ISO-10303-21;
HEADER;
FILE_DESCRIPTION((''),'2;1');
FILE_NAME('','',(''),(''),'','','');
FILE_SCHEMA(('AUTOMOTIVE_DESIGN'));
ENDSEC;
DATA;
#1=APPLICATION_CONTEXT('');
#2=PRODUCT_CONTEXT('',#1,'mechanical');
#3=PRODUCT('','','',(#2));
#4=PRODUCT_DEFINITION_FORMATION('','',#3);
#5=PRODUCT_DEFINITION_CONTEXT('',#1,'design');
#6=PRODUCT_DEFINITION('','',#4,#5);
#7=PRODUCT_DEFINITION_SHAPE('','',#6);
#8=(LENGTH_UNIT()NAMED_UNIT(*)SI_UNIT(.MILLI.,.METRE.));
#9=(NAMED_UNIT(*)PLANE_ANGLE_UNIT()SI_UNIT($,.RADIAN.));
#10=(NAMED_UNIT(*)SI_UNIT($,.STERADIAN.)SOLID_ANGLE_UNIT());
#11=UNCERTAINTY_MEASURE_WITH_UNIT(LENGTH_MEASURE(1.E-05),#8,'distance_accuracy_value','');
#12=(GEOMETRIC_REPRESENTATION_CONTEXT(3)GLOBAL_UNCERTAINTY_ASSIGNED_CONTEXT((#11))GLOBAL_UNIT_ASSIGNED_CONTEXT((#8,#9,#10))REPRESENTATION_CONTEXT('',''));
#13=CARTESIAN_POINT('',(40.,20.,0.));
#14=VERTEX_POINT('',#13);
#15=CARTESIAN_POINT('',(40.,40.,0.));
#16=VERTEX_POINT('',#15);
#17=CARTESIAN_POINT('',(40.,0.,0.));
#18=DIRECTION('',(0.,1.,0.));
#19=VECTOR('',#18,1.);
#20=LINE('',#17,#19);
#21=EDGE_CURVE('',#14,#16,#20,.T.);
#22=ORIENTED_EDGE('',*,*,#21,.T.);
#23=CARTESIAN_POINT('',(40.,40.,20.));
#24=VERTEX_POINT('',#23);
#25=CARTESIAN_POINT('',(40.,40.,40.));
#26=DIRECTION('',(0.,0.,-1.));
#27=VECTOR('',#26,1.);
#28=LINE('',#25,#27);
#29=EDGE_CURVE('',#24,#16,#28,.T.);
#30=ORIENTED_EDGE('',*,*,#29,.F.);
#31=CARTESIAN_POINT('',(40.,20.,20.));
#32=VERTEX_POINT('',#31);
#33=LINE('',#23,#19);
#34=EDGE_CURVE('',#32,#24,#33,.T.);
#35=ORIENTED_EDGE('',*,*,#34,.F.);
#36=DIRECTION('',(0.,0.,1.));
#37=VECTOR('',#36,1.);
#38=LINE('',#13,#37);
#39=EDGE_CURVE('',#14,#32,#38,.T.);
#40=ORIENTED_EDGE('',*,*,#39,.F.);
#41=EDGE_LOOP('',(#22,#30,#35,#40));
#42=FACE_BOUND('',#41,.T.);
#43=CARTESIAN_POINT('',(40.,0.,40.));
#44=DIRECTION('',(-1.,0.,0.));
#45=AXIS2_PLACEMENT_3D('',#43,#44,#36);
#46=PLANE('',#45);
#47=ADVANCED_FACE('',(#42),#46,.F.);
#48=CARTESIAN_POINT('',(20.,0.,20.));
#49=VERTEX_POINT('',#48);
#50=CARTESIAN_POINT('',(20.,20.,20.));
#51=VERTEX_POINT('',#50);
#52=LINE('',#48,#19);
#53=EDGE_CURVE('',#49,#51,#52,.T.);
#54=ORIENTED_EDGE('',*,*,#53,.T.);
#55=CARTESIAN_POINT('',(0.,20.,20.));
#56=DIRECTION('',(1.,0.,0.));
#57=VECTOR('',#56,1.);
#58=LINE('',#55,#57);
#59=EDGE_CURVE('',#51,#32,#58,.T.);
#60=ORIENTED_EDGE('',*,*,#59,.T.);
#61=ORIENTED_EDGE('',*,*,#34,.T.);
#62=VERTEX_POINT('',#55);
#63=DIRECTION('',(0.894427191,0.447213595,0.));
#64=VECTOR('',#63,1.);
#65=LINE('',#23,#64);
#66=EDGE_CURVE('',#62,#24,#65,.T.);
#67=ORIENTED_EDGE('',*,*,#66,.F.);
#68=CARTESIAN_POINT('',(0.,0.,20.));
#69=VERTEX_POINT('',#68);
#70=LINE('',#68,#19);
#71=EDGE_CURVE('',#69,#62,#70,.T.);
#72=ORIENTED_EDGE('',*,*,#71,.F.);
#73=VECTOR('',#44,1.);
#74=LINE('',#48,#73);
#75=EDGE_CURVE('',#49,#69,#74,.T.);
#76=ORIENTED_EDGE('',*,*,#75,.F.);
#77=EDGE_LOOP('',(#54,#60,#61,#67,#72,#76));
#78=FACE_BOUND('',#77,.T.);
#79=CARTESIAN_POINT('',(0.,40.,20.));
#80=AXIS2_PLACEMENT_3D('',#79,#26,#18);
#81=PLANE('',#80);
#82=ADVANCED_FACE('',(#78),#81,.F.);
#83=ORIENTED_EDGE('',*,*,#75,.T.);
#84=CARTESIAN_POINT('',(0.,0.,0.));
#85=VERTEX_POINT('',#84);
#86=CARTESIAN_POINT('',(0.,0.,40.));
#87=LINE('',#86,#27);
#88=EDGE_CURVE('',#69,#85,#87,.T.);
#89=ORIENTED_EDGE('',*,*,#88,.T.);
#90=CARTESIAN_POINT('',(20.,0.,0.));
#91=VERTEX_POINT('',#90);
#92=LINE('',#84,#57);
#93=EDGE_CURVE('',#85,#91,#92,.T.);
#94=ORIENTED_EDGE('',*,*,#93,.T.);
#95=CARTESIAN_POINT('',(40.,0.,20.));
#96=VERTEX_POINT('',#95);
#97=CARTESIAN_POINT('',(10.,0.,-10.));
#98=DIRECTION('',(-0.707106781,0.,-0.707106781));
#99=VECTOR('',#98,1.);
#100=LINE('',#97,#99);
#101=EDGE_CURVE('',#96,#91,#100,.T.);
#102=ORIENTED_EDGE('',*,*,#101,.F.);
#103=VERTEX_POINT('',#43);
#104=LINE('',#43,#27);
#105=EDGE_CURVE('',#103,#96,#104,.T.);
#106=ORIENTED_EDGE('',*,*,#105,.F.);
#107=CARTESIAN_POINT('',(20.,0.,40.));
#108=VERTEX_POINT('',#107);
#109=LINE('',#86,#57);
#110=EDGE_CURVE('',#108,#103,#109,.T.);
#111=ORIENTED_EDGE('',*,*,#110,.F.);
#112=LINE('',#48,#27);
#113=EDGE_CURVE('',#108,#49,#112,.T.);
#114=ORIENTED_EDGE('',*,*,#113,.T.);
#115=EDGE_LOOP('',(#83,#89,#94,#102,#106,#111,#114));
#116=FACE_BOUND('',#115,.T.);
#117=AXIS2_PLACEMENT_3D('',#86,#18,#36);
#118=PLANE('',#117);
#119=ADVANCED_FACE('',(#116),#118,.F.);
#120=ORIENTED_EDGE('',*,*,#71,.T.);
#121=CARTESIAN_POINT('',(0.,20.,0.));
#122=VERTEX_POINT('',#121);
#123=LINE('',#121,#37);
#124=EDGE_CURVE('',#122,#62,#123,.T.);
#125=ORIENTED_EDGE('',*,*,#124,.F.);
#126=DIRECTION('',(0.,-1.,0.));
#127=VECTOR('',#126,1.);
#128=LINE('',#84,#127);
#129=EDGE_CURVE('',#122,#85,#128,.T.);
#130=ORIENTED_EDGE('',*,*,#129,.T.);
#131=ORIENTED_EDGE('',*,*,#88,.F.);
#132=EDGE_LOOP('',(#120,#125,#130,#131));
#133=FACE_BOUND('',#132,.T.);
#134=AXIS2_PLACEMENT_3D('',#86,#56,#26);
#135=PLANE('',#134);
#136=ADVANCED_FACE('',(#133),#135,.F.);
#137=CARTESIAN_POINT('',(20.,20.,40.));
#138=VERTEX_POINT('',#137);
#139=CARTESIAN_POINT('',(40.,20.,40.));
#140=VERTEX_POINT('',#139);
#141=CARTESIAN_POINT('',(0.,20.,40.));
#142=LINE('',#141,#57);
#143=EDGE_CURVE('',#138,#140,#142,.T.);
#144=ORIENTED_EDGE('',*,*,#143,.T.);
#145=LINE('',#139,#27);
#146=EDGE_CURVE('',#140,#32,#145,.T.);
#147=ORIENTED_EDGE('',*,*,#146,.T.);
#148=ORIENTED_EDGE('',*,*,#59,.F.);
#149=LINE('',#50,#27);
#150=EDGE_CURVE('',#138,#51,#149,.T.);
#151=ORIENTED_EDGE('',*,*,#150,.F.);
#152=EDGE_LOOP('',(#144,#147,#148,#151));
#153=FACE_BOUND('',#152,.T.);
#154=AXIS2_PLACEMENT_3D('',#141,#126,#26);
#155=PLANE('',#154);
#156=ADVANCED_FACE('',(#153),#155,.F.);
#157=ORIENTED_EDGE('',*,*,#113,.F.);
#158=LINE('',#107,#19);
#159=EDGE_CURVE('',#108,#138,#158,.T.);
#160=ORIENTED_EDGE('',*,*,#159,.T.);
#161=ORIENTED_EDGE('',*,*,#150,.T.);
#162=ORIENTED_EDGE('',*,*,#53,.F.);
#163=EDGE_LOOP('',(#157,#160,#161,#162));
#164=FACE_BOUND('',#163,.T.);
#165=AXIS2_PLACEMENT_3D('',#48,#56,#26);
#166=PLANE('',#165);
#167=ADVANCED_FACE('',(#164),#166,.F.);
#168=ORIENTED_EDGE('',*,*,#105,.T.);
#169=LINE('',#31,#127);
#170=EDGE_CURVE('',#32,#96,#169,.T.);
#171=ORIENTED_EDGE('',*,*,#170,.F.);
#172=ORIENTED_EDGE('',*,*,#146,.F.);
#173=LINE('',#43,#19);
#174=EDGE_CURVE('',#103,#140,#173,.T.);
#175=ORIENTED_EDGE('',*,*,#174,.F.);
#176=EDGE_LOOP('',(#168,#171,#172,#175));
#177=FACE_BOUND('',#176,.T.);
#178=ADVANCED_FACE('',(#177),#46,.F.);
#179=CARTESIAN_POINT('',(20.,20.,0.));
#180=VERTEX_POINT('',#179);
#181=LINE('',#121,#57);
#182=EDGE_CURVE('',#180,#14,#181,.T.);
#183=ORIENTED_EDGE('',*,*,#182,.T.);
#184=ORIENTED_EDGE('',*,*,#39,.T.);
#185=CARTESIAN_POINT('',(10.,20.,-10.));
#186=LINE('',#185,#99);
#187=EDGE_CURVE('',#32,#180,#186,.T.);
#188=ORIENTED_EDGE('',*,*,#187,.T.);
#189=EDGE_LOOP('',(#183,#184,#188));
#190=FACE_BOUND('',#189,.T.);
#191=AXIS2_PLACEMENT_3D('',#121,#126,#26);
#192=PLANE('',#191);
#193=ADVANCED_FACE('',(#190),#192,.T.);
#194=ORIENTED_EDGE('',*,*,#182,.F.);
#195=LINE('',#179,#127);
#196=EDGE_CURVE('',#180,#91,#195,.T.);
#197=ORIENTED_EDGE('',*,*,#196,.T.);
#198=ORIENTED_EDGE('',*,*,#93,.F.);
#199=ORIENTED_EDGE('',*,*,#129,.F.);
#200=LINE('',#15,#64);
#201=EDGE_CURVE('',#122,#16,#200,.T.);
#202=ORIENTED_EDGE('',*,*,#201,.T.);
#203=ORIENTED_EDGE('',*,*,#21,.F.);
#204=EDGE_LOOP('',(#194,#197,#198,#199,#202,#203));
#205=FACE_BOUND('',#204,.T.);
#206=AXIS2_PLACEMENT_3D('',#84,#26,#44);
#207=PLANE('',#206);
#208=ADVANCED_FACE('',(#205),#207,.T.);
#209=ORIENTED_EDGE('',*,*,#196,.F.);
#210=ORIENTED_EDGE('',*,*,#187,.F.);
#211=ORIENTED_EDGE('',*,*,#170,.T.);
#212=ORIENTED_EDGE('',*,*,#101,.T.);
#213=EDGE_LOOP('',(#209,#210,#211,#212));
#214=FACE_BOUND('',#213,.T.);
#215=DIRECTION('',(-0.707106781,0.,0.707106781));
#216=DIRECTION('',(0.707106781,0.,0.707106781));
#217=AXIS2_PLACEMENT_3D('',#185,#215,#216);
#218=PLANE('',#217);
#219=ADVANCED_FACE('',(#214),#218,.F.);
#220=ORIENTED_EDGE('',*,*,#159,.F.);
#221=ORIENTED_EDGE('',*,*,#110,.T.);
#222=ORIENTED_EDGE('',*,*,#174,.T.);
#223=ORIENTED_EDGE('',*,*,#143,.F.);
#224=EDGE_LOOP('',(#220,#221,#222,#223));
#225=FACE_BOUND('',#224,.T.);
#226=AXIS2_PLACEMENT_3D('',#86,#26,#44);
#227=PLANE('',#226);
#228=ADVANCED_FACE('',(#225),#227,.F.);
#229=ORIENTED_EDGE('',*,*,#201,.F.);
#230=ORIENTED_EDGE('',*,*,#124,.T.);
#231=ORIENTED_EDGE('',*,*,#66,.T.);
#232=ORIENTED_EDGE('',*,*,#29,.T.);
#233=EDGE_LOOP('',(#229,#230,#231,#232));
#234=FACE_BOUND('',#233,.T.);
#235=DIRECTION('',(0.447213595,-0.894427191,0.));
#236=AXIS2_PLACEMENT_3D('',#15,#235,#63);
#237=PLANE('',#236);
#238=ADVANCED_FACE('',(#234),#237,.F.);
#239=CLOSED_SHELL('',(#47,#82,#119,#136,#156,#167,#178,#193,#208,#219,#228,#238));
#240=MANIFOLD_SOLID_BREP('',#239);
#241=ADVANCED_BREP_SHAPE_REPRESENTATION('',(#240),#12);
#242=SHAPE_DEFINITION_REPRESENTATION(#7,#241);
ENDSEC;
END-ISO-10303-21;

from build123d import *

# Parameters (mm, degrees)
SKETCH1_W           = 40
SKETCH1_H           = 40
BOSS_EXTRUDE1_DEPTH = 40
CUT_EXTRUDE1_DEPTH  = 40
SKETCH3_W           = 20
SKETCH3_H           = 20
CUT_EXTRUDE2_DEPTH  = 40
CUT_EXTRUDE3_DEPTH  = 20
SKETCH5_W           = 20
SKETCH5_H           = 20
CUT_EXTRUDE4_DEPTH  = 20


with BuildPart() as part:
    # Sketch1 → Boss-Extrude1 (new body)
    with BuildSketch(Plane.XY):
        with Locations((20, 20)):
            Rectangle(SKETCH1_W, SKETCH1_H)
    extrude(amount=BOSS_EXTRUDE1_DEPTH)

    # Sketch2 → Cut-Extrude1 (cut)
    with BuildSketch(Plane.XY.offset(40)):
        Polygon((40, 40), (0, 20), (0, 40), align=None)
    extrude(amount=-CUT_EXTRUDE1_DEPTH, mode=Mode.SUBTRACT)

    # Sketch3 → Cut-Extrude2 (cut)
    with BuildSketch(Plane(origin=(40, 0, 0), x_dir=(0, 0, -1), z_dir=(1, 0, 0))):
        with Locations((-30, 30)):
            Rectangle(SKETCH3_W, SKETCH3_H)
    extrude(amount=-CUT_EXTRUDE2_DEPTH, mode=Mode.SUBTRACT)

    # Sketch4 → Cut-Extrude3 (cut)
    with BuildSketch(Plane.XZ):
        Polygon((40, 0), (40, 20), (20, 0), align=None)
    extrude(amount=-CUT_EXTRUDE3_DEPTH, mode=Mode.SUBTRACT)

    # Sketch5 → Cut-Extrude4 (cut)
    with BuildSketch(Plane(origin=(0, 20, 0), x_dir=(1, 0, 0), z_dir=(0, 1, 0))):
        with Locations((10, -30)):
            Rectangle(SKETCH5_W, SKETCH5_H)
    extrude(amount=-CUT_EXTRUDE4_DEPTH, mode=Mode.SUBTRACT)


solid = part.part
